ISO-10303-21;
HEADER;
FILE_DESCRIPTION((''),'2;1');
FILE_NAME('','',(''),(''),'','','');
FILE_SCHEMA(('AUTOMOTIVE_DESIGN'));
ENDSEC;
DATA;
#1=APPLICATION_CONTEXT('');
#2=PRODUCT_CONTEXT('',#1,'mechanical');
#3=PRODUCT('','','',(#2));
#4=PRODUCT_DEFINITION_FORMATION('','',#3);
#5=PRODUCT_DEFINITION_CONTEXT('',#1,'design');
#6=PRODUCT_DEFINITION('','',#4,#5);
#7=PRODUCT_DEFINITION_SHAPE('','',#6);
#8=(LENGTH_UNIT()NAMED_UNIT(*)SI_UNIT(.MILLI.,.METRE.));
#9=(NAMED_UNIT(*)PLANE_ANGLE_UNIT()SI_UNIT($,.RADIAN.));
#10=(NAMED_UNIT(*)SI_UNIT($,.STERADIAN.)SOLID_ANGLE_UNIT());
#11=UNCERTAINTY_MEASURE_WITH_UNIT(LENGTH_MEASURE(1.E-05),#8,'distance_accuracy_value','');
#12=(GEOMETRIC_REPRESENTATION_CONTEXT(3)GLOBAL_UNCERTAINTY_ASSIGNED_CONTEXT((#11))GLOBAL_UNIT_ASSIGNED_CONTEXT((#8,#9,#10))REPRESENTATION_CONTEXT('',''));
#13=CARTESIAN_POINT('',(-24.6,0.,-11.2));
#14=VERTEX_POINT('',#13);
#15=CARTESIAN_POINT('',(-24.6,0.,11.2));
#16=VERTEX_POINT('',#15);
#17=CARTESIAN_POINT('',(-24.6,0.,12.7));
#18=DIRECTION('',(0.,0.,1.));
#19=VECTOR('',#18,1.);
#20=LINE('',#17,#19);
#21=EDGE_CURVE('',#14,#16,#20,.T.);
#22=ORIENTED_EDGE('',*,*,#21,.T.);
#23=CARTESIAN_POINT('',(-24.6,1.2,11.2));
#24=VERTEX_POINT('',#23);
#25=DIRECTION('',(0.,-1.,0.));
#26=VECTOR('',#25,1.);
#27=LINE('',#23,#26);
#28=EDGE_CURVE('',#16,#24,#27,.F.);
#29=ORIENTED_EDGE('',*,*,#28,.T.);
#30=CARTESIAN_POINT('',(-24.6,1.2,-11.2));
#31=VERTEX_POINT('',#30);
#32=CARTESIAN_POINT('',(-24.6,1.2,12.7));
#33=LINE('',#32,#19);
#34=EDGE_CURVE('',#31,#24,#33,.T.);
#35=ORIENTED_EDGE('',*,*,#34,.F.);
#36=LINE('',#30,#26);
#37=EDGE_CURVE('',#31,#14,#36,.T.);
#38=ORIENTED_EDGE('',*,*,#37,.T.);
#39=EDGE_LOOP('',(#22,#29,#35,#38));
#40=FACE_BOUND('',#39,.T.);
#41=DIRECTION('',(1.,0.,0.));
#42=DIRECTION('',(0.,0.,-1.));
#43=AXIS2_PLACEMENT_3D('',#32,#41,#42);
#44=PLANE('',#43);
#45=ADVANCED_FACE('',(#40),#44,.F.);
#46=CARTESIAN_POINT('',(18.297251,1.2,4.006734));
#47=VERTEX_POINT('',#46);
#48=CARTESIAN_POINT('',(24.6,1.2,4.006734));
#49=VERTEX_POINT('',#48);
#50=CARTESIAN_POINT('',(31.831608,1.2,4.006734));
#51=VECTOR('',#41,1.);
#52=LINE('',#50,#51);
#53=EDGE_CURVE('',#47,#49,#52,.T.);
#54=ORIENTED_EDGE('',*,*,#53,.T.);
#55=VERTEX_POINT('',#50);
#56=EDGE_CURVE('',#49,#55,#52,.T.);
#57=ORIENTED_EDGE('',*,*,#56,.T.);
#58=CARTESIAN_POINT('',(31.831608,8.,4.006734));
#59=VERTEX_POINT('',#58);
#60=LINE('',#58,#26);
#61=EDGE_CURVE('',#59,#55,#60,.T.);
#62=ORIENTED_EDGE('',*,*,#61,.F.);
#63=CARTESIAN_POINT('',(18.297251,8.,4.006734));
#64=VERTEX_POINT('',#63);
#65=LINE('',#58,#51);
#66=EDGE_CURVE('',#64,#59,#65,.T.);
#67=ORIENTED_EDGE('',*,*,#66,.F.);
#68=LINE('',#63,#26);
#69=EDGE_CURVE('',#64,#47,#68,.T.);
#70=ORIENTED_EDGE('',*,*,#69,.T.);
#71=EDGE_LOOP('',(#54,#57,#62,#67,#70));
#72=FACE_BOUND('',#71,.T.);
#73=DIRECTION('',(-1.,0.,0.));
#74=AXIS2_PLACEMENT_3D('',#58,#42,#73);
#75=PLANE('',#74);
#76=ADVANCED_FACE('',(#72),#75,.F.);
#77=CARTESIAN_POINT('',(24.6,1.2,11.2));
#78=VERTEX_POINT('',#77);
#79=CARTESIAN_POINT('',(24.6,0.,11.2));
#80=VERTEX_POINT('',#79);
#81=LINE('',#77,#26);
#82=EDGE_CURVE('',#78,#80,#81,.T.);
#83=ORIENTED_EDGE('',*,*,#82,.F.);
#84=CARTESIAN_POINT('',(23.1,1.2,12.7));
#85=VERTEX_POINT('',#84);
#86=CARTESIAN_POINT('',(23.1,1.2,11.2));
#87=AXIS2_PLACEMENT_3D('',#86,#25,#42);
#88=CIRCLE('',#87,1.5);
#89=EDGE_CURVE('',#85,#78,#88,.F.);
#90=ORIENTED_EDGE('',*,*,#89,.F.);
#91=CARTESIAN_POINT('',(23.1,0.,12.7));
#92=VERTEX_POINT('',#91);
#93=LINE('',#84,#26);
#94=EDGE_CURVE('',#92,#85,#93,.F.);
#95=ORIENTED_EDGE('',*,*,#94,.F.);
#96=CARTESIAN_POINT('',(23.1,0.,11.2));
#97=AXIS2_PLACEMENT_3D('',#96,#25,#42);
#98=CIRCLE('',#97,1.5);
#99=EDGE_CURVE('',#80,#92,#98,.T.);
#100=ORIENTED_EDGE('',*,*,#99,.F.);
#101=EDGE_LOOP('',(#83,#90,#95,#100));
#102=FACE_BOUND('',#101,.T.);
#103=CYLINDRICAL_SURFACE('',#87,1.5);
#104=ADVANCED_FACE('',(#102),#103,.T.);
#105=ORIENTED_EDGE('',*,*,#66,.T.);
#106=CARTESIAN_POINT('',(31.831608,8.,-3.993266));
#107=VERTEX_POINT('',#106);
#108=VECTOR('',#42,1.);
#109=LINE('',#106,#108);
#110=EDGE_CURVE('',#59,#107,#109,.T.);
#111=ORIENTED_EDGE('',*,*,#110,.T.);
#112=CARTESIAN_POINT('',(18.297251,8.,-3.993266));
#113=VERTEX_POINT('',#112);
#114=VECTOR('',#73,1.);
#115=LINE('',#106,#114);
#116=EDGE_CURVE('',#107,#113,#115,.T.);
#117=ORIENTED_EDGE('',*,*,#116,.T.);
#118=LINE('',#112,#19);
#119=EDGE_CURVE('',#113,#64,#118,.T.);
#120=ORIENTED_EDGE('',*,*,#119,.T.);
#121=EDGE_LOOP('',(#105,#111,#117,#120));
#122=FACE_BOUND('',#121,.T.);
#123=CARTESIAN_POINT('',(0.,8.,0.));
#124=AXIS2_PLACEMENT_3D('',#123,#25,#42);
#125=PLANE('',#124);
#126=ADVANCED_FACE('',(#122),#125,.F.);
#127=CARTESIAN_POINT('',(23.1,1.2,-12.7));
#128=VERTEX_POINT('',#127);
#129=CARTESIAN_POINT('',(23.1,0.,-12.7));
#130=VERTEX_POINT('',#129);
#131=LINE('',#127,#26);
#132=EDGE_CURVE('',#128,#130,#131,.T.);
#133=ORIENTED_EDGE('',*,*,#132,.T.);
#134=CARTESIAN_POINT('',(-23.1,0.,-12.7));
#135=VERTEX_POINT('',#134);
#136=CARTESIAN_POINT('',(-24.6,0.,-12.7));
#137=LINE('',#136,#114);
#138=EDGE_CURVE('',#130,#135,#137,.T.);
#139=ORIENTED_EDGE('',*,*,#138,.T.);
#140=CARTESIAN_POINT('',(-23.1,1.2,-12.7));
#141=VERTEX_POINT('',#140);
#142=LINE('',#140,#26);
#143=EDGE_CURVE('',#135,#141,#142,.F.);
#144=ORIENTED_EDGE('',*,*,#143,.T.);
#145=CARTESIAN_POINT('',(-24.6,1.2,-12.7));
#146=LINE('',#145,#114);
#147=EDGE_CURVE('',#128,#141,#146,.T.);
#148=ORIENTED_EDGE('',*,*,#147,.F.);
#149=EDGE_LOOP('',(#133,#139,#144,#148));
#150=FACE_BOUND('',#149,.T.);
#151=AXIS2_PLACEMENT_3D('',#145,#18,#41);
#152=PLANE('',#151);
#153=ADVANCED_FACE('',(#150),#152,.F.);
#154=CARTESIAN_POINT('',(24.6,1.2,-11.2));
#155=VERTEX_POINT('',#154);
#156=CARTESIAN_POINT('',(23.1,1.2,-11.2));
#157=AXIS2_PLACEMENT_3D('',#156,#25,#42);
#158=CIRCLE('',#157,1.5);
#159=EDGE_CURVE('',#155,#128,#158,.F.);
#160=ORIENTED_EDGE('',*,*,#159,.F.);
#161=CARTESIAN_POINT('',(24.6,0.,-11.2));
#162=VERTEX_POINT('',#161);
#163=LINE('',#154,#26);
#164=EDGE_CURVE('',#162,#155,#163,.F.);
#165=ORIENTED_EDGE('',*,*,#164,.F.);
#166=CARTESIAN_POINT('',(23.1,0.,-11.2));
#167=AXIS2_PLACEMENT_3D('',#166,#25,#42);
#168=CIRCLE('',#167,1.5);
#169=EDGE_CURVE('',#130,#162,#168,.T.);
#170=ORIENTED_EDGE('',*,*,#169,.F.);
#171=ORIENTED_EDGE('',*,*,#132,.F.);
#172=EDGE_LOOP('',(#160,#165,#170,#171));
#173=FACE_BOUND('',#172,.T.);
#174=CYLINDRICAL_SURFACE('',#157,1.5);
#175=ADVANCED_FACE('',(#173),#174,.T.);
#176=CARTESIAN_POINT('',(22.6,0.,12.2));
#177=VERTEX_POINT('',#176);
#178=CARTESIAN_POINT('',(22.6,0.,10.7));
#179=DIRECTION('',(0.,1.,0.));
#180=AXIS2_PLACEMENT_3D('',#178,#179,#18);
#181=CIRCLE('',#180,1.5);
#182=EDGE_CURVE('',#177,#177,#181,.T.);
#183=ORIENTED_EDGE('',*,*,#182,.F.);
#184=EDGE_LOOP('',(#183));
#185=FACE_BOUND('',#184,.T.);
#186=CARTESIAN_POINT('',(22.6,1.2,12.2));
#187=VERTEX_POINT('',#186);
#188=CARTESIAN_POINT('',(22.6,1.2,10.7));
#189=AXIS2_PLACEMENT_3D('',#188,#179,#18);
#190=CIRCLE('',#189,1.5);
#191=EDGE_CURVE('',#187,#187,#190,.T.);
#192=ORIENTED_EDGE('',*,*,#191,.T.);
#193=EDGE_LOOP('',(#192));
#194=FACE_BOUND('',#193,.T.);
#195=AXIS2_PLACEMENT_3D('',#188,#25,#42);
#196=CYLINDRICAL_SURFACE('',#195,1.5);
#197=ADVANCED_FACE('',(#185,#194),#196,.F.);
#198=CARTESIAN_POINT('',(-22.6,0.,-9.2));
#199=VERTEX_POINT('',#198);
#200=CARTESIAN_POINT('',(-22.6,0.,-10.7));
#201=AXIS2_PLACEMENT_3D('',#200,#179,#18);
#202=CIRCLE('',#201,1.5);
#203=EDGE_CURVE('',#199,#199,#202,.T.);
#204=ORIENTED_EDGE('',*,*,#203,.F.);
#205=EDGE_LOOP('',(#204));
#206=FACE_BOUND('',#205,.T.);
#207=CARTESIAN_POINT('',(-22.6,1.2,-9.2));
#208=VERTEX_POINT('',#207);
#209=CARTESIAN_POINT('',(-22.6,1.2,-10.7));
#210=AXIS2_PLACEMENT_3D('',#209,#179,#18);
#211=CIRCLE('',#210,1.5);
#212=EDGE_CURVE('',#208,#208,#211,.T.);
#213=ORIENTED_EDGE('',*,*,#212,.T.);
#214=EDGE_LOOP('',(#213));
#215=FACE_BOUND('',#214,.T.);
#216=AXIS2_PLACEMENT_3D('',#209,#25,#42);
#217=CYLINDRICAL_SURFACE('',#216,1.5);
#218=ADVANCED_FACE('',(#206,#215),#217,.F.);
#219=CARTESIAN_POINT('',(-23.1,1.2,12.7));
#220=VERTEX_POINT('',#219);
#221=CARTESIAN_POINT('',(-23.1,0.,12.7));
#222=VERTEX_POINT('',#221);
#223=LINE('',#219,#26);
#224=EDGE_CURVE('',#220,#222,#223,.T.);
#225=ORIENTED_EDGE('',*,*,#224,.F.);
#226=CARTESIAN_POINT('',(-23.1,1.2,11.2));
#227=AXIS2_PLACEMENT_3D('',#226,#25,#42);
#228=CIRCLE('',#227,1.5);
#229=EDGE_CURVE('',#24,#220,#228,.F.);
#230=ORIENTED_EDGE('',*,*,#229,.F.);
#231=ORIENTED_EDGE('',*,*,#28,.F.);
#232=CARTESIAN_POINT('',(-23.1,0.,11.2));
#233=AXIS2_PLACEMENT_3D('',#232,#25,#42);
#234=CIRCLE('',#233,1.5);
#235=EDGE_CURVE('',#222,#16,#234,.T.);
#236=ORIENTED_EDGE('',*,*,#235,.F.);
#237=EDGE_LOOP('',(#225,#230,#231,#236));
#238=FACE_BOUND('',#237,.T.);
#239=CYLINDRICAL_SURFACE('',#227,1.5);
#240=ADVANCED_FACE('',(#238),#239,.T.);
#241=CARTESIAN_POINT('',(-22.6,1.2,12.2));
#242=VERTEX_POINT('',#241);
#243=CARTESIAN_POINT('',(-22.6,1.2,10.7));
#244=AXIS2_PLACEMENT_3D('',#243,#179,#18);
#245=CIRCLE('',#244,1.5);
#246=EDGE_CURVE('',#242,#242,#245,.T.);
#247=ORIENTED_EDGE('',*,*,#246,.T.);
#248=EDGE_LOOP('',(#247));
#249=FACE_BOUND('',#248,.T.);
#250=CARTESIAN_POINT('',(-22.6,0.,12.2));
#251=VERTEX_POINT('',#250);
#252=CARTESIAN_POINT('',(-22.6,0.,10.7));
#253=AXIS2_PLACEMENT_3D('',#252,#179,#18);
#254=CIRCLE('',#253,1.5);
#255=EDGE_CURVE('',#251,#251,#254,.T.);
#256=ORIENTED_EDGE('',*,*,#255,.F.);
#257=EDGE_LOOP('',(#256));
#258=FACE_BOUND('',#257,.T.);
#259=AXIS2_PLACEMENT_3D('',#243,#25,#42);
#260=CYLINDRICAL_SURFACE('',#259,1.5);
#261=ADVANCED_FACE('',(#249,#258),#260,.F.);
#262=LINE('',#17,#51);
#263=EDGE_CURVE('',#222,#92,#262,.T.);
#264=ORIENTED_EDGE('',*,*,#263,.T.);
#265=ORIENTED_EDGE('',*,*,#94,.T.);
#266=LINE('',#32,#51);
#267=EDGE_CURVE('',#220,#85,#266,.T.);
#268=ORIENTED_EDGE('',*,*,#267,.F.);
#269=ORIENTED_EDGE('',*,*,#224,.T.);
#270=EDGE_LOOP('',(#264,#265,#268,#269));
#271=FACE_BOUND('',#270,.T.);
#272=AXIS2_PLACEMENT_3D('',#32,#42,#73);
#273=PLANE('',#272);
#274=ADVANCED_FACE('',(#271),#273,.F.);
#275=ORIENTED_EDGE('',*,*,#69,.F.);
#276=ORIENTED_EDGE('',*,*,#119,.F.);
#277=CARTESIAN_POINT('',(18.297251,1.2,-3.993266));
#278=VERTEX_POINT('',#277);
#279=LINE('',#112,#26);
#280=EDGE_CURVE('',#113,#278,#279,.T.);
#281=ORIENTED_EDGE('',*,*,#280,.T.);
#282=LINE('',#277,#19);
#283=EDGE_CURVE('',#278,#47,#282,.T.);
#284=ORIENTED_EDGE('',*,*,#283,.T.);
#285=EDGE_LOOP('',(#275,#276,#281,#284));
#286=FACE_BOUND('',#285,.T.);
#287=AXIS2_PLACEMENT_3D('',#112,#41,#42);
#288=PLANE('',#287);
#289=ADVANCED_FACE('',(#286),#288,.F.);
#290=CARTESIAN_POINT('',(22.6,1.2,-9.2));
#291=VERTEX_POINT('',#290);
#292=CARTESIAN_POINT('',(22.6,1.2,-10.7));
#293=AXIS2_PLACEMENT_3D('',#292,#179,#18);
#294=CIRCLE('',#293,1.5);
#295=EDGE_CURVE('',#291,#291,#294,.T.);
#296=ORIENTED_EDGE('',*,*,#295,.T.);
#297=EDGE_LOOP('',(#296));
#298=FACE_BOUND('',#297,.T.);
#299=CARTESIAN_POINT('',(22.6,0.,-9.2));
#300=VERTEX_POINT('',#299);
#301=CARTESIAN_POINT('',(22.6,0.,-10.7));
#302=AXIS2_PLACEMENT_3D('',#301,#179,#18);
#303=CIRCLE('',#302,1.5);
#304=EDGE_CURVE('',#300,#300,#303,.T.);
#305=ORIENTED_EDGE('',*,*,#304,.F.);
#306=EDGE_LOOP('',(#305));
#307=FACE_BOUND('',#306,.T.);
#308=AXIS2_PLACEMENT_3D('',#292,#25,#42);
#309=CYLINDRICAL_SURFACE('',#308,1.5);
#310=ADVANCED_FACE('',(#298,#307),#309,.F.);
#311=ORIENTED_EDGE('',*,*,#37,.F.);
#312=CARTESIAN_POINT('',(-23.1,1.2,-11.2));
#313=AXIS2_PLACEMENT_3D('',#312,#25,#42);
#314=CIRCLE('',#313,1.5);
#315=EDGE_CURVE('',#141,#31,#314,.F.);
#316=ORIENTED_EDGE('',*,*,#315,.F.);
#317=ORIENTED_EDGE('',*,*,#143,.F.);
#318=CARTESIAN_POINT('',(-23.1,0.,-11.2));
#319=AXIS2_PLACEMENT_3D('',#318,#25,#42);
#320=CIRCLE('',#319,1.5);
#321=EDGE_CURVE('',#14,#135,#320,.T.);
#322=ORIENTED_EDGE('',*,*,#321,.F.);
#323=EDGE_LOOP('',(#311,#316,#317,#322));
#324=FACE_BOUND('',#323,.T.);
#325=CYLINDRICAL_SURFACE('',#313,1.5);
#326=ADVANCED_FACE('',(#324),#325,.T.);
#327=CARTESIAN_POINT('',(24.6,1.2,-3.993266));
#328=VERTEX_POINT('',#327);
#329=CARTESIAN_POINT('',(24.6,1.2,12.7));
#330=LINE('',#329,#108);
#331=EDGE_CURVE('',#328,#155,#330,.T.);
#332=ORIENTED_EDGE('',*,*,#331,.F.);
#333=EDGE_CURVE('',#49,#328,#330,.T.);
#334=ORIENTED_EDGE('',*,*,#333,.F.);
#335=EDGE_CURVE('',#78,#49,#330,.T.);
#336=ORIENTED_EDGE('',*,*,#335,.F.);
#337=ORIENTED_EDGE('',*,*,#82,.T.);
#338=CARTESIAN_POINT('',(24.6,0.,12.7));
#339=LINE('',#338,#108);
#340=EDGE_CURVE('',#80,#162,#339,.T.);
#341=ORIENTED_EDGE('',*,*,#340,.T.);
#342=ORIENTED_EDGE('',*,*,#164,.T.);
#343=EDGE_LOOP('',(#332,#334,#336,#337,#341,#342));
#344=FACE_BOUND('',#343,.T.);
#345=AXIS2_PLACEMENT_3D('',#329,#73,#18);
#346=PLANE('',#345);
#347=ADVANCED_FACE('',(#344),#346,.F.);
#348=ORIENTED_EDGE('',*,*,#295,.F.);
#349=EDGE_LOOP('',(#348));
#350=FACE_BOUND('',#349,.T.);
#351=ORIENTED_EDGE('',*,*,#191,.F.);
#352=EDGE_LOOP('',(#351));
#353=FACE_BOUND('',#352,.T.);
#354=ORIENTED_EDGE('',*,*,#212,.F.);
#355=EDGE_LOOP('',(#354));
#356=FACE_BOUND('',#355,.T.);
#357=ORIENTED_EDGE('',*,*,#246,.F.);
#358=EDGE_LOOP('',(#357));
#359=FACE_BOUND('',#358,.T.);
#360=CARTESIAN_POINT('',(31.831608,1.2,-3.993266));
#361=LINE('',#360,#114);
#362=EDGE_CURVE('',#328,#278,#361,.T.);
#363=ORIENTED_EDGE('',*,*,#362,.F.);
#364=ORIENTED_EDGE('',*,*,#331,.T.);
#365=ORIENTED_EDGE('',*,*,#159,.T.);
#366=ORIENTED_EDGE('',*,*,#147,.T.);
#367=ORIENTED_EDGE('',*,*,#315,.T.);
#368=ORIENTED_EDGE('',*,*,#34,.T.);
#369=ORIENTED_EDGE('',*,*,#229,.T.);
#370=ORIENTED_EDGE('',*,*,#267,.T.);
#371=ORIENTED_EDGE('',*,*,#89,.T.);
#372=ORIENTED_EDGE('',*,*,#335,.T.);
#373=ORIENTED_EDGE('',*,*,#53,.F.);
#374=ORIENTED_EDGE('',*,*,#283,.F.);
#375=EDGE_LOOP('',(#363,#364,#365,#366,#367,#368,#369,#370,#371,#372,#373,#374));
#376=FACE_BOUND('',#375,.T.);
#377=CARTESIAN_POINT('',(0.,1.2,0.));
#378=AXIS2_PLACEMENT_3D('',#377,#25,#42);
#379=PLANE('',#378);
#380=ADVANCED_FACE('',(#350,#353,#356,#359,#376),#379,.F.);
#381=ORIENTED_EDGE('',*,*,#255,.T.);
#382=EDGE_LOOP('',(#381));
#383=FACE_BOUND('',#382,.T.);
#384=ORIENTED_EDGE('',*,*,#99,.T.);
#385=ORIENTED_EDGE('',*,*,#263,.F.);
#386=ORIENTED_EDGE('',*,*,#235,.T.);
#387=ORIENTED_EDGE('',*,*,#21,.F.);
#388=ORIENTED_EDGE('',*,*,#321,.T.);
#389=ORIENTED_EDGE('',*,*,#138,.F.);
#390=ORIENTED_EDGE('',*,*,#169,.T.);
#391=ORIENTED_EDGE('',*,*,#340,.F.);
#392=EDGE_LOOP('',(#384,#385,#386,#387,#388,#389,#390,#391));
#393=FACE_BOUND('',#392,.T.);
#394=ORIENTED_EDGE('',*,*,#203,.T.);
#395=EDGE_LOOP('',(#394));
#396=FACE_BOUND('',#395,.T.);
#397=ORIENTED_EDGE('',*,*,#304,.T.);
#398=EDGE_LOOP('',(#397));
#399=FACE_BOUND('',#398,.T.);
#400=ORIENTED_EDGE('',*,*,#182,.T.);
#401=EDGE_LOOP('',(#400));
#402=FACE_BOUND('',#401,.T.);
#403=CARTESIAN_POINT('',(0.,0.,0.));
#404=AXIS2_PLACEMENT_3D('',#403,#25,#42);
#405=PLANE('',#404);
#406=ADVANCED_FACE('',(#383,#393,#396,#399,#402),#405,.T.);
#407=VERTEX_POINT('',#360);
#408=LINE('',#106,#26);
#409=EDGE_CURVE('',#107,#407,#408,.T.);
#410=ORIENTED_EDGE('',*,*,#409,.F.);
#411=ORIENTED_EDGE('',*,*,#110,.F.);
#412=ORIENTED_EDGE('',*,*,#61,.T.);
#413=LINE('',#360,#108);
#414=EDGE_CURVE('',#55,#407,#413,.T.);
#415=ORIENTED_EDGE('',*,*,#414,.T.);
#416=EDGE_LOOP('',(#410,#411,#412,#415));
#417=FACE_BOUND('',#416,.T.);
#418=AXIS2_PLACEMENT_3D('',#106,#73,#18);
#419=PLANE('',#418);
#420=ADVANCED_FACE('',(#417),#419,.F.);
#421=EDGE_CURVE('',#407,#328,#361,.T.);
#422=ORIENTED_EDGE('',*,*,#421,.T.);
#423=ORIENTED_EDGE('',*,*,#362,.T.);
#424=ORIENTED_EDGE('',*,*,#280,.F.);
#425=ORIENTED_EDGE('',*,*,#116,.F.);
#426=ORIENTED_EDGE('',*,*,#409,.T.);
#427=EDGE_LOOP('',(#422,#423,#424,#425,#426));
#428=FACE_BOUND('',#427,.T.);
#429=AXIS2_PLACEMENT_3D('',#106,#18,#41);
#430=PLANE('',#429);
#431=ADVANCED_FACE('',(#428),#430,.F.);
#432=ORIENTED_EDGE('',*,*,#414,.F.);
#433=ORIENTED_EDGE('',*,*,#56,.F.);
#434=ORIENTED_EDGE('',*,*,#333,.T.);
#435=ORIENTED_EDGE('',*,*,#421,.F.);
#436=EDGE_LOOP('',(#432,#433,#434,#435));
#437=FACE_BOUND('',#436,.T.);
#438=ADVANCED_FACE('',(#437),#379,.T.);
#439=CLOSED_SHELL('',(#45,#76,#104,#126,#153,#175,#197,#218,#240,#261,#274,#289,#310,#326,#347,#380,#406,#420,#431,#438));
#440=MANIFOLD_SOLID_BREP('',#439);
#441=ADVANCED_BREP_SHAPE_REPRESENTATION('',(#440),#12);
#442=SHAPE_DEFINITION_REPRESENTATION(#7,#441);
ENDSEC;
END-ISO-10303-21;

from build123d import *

# Parameters (mm, degrees)
ESQUISSE1_W        = 49.2
ESQUISSE1_H        = 25.4
ESQUISSE1_R        = 1.5
BOSS_EXTRU_1_DEPTH = 1.2
CONG_1_R           = 1.5
CONG_2_R           = 1.5
CONG_3_R           = 1.5
CONG_4_R           = 1.5
ESQUISSE3_W        = 13.534356754
ESQUISSE3_H        = 8
BOSS_EXTRU_2_DEPTH = 6.8


with BuildPart() as part:
    # Esquisse1 → Boss.-Extru.1 (new body)
    with BuildSketch(Plane(origin=(0, 0, 0), x_dir=(1, 0, 0), z_dir=(0, 1, 0))):
        Rectangle(ESQUISSE1_W, ESQUISSE1_H)
        with Locations(Location((22.6, 10.7, 0), (0, 0, 270))):
            Circle(ESQUISSE1_R, mode=Mode.SUBTRACT)
        with Locations(Location((22.6, -10.7, 0), (0, 0, 270))):
            Circle(ESQUISSE1_R, mode=Mode.SUBTRACT)
        with Locations(Location((-22.6, -10.7, 0), (0, 0, 270))):
            Circle(ESQUISSE1_R, mode=Mode.SUBTRACT)
        with Locations(Location((-22.6, 10.7, 0), (0, 0, 270))):
            Circle(ESQUISSE1_R, mode=Mode.SUBTRACT)
    extrude(amount=BOSS_EXTRU_1_DEPTH)

    # Congé1
    cong_1_edges = [part.edges().sort_by_distance(p)[0] for p in [
        (24.6, 0.6, 12.7),
    ]]
    fillet(cong_1_edges, radius=CONG_1_R)

    # Congé2
    cong_2_edges = [part.edges().sort_by_distance(p)[0] for p in [
        (-24.6, 0.6, 12.7),
    ]]
    fillet(cong_2_edges, radius=CONG_2_R)

    # Congé3
    cong_3_edges = [part.edges().sort_by_distance(p)[0] for p in [
        (24.6, 0.6, -12.7),
    ]]
    fillet(cong_3_edges, radius=CONG_3_R)

    # Congé4
    cong_4_edges = [part.edges().sort_by_distance(p)[0] for p in [
        (-24.6, 0.6, -12.7),
    ]]
    fillet(cong_4_edges, radius=CONG_4_R)

    # Esquisse3 → Boss.-Extru.2 (add)
    with BuildSketch(Plane(origin=(1.430842634, 1.2, 0.935550953), x_dir=(1, 0, 0), z_dir=(0, 1, 0))):
        with Locations((23.633586999, 0.928816864)):
            Rectangle(ESQUISSE3_W, ESQUISSE3_H)
    extrude(amount=BOSS_EXTRU_2_DEPTH)


solid = part.part
